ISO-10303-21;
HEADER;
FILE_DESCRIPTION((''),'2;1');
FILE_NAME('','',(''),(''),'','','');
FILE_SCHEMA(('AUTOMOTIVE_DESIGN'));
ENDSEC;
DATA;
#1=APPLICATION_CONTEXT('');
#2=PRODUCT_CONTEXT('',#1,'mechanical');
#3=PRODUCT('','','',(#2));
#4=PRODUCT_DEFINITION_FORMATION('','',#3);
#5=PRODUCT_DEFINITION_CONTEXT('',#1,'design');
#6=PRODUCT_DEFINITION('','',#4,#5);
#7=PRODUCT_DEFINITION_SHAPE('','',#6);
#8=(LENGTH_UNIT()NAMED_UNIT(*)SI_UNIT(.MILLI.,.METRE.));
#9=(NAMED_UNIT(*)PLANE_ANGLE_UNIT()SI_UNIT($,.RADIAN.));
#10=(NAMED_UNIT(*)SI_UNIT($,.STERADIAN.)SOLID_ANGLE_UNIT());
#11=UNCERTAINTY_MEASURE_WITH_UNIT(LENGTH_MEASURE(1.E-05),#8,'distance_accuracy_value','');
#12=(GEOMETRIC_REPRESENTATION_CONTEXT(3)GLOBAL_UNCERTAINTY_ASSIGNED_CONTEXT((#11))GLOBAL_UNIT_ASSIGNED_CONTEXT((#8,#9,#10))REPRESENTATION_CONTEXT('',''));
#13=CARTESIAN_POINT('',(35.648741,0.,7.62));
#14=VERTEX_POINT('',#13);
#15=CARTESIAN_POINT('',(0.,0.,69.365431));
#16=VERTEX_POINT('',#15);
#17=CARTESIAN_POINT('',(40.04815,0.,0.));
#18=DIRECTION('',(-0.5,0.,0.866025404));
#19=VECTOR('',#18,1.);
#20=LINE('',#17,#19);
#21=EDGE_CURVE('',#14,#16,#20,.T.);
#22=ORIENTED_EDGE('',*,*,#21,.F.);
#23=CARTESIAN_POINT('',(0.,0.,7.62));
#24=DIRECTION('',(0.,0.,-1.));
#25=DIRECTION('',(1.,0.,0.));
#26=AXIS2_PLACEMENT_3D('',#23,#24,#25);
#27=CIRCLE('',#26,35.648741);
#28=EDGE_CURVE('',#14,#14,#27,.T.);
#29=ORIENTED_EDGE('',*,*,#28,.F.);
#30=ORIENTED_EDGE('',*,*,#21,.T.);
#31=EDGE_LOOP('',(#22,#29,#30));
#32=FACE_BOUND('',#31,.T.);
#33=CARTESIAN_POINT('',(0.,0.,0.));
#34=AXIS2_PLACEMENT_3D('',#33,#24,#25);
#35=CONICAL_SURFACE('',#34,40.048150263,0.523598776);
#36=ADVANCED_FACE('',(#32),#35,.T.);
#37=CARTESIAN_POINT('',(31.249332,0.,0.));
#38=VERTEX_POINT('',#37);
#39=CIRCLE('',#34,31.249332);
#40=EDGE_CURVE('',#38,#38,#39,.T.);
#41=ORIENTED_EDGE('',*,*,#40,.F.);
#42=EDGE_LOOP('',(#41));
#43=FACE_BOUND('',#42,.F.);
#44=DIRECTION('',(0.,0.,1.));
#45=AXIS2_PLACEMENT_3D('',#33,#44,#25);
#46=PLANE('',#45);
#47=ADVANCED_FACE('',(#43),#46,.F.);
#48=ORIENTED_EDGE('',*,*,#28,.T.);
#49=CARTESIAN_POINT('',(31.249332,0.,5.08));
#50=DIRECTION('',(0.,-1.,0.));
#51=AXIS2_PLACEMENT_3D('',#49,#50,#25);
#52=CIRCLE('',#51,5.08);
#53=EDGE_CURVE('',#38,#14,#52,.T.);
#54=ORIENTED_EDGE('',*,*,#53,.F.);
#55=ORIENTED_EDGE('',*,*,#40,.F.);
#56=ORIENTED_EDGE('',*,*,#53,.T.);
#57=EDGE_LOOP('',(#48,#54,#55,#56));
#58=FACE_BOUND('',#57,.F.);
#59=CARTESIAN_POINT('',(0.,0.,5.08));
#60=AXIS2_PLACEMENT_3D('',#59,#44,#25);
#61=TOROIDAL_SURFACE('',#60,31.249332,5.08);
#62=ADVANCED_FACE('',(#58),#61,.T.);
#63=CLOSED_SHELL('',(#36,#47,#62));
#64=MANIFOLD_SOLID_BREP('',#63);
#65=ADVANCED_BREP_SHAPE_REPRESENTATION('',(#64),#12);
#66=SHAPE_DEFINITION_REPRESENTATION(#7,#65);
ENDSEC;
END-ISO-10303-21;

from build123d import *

# Parameters (mm, degrees)
F0_R     = 40.0481502626
F1_DEPTH = 203.2
F1_TAPER = 30
F2_R     = 5.08


with BuildPart() as f1:
    # F0 (on Top) → F1 (new body)
    with BuildSketch(Plane.XY):
        Circle(F0_R)
    extrude(amount=F1_DEPTH, taper=F1_TAPER)

    # F2
    f2_edges = [f1.edges().sort_by_distance(p)[0] for p in [
        (-40.04815, 0, 0),
        (20.024075, 0, 34.682716),
    ]]
    fillet(f2_edges, radius=F2_R)


solid = f1.part
